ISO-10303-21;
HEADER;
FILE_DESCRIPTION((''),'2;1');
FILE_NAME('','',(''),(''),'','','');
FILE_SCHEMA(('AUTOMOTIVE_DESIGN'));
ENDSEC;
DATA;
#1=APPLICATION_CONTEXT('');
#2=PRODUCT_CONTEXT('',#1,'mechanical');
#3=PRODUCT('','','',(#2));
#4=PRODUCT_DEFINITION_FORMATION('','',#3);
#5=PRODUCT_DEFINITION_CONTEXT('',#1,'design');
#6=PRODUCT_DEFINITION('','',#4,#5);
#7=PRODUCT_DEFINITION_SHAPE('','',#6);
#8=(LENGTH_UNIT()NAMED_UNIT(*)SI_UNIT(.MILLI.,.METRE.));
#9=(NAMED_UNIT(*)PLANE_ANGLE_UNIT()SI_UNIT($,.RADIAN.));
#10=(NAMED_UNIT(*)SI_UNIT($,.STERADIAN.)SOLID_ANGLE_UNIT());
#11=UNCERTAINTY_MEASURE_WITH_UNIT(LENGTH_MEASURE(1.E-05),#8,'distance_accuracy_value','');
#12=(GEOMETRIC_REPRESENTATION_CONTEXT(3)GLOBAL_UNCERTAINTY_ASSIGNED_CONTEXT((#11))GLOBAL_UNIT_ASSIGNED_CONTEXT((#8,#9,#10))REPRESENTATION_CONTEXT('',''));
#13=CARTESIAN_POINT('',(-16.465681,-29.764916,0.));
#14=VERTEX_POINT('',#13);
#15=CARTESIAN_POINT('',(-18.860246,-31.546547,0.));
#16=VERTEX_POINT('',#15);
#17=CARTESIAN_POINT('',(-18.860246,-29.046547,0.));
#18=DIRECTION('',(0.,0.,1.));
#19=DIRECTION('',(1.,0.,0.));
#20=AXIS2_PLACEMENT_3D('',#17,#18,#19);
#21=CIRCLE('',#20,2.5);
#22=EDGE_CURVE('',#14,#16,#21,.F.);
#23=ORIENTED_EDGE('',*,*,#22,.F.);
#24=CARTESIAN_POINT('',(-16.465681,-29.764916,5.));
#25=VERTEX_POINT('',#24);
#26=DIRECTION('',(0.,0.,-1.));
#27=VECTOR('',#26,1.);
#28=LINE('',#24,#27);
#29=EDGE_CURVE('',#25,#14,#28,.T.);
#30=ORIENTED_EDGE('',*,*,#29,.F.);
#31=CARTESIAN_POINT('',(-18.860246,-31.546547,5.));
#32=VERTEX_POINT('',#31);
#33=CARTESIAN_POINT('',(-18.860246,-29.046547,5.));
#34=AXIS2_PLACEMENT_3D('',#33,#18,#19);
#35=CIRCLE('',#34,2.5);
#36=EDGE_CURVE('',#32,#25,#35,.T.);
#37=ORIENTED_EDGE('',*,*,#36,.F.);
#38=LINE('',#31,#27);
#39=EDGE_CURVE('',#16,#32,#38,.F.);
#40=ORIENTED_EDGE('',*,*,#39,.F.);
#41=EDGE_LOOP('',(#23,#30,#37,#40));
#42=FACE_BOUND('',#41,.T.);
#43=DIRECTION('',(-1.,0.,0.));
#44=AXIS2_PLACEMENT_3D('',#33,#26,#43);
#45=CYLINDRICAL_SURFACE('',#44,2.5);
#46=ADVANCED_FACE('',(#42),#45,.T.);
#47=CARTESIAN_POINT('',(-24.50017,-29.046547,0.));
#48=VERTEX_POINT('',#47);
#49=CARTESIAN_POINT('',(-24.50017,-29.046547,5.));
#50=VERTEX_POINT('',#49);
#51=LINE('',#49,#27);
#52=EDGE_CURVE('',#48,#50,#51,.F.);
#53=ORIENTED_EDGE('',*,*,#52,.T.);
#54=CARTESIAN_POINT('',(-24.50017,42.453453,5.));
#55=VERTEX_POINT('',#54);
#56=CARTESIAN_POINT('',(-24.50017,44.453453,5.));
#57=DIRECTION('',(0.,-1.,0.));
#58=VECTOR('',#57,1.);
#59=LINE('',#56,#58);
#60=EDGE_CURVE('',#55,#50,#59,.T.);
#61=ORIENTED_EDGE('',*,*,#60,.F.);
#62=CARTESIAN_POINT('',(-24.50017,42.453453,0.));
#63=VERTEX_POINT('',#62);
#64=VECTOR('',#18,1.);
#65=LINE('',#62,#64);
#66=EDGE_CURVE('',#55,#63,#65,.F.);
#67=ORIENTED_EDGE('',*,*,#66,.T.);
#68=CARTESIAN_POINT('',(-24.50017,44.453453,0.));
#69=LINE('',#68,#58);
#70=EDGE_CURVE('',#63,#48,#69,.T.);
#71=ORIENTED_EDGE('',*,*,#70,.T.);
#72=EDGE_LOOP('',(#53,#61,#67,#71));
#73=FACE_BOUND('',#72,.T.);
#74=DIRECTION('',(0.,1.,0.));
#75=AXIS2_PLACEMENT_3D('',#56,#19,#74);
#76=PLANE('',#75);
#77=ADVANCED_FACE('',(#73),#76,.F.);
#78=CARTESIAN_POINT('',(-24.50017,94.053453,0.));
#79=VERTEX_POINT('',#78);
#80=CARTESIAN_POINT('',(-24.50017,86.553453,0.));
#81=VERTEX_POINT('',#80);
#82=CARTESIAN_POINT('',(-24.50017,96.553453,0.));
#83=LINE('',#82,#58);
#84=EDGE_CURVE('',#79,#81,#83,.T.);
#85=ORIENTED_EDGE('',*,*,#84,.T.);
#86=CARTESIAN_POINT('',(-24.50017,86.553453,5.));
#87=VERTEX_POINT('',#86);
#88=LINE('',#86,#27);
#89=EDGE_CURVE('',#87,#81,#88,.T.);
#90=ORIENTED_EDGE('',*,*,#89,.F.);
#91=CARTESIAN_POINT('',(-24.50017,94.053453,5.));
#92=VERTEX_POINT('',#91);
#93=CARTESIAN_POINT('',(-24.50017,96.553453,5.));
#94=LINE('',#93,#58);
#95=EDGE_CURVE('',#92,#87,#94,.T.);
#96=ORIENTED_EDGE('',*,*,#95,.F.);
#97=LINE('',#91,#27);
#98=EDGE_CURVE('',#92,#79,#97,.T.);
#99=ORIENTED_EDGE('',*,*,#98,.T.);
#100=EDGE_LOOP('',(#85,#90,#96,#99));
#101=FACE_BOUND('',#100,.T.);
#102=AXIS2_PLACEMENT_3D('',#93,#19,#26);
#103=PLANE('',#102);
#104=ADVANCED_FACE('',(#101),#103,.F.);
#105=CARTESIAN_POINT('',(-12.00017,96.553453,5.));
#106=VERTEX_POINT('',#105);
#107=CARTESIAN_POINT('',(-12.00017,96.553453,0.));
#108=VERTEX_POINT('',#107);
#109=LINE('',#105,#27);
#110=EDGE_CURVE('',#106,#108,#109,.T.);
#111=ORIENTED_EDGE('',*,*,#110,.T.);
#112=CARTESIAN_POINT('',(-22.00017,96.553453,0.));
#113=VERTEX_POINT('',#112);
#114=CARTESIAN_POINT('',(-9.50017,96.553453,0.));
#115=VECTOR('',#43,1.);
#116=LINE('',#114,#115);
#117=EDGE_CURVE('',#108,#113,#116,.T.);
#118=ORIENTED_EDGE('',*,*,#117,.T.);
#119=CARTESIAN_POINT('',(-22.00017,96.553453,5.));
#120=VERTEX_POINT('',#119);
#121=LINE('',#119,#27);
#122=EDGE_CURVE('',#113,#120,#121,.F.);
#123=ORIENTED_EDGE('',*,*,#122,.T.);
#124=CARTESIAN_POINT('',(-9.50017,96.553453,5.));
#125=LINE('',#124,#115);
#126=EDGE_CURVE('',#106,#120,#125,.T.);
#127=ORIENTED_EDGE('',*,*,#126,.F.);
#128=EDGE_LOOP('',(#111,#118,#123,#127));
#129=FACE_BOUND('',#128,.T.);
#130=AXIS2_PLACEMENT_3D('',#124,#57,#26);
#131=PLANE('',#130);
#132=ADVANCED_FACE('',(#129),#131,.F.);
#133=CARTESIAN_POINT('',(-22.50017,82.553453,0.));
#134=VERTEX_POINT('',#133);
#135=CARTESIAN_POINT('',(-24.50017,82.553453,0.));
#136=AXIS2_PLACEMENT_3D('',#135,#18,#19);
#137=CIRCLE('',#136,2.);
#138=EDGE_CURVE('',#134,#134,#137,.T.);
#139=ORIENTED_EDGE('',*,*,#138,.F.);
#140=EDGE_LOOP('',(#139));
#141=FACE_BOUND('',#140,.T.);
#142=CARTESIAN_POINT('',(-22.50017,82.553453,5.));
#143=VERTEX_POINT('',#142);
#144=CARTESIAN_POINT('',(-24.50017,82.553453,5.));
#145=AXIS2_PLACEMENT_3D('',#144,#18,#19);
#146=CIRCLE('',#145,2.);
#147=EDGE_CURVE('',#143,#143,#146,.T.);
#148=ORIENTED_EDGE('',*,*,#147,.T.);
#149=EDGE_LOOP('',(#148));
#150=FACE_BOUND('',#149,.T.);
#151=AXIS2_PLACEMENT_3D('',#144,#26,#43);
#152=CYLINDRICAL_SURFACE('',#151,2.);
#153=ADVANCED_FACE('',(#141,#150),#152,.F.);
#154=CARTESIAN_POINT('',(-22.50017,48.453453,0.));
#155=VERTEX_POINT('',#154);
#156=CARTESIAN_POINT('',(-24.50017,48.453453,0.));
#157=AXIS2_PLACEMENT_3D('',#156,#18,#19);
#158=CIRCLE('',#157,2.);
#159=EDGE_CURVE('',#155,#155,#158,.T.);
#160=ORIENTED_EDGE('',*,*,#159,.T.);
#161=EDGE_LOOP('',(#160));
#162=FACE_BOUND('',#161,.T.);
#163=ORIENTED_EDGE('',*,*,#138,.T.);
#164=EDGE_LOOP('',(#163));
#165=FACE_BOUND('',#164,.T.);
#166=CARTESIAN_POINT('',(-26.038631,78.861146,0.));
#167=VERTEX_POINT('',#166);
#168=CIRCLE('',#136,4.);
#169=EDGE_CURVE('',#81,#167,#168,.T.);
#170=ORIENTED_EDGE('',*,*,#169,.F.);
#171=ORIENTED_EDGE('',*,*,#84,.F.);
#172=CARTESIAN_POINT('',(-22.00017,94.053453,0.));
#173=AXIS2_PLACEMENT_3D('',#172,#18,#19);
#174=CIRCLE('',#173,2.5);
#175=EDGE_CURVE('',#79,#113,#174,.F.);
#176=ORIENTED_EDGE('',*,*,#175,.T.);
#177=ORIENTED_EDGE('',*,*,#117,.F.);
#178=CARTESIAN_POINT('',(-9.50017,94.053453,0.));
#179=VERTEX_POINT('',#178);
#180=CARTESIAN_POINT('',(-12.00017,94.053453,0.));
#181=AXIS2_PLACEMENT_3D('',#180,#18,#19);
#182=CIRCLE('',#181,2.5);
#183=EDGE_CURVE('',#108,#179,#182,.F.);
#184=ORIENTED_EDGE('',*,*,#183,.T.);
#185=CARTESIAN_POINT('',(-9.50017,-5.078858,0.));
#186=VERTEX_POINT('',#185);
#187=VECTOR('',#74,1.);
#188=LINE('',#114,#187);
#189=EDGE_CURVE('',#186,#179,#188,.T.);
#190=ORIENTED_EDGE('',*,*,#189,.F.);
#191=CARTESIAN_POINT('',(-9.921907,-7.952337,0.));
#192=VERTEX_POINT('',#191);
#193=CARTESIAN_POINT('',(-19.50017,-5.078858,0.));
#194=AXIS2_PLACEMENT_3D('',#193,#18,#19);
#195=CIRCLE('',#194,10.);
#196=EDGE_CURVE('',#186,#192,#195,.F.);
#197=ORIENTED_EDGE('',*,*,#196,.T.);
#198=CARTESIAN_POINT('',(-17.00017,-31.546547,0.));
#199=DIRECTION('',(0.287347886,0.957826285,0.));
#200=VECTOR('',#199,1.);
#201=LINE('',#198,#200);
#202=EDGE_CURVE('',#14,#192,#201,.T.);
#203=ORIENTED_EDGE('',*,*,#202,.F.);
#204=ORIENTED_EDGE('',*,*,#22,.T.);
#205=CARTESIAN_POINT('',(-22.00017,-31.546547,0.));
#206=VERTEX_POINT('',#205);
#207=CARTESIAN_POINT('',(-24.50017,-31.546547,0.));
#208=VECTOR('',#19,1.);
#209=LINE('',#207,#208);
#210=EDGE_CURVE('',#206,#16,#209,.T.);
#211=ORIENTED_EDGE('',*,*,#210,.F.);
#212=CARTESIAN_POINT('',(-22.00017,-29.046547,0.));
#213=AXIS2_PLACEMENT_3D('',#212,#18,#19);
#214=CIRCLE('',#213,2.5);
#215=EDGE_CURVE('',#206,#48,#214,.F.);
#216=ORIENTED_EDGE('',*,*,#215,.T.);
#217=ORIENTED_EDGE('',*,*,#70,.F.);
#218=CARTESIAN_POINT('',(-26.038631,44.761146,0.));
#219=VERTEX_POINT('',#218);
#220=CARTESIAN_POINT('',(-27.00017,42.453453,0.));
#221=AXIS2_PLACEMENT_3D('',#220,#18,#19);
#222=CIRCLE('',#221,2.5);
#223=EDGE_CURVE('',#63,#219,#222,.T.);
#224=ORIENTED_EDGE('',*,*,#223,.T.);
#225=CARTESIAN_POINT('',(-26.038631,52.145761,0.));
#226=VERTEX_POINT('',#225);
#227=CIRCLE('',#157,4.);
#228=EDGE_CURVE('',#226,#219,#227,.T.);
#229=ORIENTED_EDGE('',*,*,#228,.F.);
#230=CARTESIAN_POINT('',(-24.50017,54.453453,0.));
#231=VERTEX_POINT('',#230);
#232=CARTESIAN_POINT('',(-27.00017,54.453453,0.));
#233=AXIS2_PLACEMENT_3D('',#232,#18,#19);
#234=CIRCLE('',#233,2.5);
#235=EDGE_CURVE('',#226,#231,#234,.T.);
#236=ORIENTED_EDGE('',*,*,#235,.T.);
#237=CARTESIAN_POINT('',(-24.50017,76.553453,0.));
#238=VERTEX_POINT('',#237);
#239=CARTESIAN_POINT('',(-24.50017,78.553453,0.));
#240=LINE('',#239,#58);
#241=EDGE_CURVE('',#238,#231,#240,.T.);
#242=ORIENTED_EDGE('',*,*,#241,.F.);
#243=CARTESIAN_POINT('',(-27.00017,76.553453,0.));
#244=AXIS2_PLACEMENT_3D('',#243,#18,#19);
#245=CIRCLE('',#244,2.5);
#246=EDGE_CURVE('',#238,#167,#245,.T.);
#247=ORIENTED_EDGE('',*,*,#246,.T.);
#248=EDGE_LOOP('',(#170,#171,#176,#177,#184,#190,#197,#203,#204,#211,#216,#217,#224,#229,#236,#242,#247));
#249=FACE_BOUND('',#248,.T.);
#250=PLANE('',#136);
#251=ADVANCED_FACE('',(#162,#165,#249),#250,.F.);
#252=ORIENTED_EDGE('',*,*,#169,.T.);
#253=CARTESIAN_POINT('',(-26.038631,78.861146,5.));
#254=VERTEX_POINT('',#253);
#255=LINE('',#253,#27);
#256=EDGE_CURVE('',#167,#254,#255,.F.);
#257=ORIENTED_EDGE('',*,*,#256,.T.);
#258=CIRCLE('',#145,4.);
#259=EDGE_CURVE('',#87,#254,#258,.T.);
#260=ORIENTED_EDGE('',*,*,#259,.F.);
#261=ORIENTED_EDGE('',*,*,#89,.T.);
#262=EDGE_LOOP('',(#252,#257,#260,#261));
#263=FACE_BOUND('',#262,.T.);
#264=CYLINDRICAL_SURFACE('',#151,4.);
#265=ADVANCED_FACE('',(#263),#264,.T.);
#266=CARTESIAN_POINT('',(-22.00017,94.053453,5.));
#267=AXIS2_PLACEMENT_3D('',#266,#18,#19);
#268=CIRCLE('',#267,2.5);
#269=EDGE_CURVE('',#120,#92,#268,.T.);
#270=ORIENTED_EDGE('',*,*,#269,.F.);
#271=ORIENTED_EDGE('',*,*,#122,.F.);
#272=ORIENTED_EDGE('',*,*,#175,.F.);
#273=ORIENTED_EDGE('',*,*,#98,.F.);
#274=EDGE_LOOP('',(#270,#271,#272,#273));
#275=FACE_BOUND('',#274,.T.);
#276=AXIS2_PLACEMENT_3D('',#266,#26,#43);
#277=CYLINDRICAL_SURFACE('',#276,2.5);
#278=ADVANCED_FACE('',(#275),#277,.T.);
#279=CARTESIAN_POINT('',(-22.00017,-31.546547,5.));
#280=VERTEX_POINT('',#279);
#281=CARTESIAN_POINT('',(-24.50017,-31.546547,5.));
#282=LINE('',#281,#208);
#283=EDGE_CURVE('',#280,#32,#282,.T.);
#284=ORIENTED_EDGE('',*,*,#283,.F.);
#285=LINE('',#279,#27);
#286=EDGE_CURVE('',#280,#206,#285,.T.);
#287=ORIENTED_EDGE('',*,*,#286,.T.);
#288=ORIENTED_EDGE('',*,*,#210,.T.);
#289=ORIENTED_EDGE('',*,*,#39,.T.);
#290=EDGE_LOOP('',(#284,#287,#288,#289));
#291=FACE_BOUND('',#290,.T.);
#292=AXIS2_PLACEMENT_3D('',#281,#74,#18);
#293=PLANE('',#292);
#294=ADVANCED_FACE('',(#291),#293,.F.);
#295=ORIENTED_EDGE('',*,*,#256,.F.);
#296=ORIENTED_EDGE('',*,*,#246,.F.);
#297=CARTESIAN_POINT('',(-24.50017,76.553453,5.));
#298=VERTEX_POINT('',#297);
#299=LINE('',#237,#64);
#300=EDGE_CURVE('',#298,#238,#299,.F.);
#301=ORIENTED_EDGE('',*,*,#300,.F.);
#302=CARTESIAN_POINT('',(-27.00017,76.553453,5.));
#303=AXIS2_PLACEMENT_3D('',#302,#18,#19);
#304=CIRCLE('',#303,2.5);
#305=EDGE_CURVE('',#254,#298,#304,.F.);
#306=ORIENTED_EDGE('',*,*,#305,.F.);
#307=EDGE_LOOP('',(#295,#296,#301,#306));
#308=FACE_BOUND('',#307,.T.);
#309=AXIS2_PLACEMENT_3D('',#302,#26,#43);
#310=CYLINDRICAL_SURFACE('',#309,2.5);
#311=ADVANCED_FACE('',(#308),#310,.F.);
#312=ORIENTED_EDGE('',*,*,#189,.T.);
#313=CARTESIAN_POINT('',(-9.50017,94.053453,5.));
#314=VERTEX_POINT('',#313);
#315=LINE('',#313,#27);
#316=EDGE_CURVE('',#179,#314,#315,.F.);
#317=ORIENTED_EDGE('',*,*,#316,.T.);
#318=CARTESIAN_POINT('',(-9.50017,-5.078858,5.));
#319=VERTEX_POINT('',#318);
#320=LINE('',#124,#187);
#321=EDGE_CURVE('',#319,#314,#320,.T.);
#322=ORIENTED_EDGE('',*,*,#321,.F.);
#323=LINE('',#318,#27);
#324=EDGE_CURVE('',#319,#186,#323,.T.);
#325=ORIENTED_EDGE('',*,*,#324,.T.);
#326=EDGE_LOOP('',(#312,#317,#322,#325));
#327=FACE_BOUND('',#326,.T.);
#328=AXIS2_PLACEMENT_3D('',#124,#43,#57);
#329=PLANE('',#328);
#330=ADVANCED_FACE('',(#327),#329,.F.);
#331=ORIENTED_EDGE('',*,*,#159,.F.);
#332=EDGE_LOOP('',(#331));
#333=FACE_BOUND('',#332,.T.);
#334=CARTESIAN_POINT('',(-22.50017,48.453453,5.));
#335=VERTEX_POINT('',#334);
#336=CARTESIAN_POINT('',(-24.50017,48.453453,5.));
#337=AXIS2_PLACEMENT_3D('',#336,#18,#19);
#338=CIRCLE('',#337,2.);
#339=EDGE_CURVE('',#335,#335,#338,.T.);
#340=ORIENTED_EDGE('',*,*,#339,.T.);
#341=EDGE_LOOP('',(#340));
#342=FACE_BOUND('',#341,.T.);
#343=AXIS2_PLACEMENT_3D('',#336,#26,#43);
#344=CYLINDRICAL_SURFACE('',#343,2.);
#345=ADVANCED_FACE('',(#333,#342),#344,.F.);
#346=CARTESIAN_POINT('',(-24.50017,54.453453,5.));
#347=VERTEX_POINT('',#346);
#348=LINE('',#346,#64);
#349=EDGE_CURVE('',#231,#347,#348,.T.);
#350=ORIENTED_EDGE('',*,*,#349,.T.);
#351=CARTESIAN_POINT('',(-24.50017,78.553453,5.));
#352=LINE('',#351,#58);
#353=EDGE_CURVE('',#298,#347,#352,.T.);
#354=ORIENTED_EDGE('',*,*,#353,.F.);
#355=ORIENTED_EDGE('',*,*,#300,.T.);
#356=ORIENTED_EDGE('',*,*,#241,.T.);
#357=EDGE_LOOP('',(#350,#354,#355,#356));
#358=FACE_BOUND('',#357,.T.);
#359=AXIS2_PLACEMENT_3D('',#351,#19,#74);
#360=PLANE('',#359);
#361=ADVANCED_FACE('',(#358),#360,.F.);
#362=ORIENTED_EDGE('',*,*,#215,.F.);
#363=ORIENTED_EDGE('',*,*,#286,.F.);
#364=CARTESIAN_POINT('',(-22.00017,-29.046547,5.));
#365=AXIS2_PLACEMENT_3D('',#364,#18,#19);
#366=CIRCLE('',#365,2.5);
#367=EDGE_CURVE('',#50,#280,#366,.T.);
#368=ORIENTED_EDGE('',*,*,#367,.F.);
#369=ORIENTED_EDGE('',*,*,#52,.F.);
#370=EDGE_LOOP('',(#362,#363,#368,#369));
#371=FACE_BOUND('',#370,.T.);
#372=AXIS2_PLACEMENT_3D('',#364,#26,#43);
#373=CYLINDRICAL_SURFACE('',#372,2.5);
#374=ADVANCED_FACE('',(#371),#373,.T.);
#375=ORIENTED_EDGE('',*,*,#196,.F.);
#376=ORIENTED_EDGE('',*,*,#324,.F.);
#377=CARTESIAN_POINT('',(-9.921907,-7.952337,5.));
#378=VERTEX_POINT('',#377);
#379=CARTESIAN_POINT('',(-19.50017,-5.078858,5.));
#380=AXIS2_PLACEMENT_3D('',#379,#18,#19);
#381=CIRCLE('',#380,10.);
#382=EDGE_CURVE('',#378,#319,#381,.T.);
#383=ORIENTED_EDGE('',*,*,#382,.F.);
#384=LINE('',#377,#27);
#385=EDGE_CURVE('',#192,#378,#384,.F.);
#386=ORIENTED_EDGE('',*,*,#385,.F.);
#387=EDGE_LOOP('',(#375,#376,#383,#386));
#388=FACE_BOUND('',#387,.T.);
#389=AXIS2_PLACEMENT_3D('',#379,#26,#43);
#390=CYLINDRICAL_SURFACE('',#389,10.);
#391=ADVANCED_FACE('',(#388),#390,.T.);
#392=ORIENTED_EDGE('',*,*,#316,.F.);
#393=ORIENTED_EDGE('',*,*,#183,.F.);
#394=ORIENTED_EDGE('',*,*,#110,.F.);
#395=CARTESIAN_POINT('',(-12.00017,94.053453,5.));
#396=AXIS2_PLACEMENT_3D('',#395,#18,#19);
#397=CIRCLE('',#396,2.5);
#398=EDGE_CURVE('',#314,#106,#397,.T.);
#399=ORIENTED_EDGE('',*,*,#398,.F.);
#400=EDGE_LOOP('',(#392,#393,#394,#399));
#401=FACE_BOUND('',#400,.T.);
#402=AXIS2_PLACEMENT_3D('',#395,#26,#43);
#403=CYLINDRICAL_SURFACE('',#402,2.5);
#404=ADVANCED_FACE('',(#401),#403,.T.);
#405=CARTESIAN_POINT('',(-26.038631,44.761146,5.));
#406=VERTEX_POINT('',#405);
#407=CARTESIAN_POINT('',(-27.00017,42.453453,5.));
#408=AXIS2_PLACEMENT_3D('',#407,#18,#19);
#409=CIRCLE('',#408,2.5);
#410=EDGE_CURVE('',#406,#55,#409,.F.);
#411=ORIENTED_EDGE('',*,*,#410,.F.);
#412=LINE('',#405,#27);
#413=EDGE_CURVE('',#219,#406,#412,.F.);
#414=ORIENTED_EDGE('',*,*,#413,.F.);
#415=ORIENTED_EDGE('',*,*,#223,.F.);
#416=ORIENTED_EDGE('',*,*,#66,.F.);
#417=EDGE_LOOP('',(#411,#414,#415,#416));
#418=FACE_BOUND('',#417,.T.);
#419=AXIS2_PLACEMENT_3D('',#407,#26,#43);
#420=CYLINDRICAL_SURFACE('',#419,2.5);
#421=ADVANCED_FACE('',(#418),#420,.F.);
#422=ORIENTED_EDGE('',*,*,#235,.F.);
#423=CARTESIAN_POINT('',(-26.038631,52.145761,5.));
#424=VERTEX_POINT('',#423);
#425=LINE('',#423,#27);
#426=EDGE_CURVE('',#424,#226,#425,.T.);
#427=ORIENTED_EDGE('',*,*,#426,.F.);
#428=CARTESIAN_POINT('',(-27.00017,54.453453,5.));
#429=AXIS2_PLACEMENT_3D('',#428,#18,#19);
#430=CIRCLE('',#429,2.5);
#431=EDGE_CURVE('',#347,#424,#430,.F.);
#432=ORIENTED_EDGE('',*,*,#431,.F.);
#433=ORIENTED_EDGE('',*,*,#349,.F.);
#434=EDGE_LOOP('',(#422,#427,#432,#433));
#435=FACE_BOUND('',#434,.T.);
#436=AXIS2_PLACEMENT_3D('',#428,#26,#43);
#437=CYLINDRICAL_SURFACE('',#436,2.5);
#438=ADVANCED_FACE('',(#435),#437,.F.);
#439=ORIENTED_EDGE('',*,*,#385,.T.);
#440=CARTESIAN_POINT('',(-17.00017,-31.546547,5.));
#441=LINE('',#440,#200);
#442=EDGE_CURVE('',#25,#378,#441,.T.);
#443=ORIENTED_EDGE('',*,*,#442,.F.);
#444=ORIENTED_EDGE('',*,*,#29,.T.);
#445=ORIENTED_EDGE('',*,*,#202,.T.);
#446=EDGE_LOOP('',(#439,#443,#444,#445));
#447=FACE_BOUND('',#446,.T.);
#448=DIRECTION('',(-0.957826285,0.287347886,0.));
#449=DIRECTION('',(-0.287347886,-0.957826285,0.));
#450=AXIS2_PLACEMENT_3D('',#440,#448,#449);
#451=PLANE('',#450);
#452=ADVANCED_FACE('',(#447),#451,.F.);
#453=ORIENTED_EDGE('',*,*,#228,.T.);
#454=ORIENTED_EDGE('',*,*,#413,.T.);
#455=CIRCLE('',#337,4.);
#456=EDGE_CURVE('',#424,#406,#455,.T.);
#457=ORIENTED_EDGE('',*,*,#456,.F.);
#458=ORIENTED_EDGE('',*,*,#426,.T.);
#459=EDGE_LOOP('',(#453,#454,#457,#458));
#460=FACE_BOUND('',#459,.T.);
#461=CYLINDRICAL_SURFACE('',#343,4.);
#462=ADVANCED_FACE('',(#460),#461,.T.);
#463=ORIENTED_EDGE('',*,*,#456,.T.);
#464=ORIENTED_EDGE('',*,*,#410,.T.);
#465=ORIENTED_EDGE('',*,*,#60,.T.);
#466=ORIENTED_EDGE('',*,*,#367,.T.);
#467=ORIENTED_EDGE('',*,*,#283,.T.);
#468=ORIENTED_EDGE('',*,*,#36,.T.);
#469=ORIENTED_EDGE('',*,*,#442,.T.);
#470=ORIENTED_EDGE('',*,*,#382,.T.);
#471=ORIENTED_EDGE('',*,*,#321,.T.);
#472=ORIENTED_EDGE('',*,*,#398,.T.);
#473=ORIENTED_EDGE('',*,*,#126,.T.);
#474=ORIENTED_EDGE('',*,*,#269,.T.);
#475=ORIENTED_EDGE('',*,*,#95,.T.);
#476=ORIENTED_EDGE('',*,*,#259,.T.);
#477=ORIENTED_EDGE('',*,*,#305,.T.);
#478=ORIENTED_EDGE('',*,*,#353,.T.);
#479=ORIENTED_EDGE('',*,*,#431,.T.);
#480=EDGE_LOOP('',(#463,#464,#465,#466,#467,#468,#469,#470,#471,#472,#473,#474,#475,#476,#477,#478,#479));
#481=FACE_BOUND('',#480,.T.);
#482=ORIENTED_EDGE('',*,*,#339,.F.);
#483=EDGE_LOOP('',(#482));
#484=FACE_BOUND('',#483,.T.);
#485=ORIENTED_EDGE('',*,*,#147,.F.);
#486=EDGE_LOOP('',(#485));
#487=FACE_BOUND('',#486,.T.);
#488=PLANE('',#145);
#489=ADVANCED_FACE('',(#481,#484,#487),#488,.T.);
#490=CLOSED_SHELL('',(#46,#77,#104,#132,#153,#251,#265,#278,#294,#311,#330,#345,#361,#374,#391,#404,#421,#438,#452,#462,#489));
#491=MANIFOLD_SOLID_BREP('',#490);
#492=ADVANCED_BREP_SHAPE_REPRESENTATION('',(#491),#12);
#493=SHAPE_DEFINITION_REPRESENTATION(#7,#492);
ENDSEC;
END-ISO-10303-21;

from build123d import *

# Parameters (mm, degrees)
SKETCH_1_R      = 2
EXTRUDE_1_DEPTH = 5
FILLET_1_R      = 2.5
FILLET_2_R      = 2.5
FILLET_3_R      = 10


with BuildPart() as part:
    # 草圖1 → 填料-伸長1 (new body)
    with BuildSketch(Plane.XY):
        with BuildLine():
            Line((-17.000169764, -31.546546547), (-9.500169764, -6.546546547))
            Line((-9.500169764, -6.546546547), (-9.500169764, 96.553453453))
            Line((-9.500169764, 96.553453453), (-24.500169764, 96.553453453))
            Line((-24.500169764, 96.553453453), (-24.500169764, 86.553453453))
            ThreePointArc((-24.500169764, 86.553453453), (-28.500169764, 82.553453453), (-24.500169764, 78.553453453))
            Line((-24.500169764, 78.553453453), (-24.500169764, 52.453453453))
            ThreePointArc((-24.500169764, 52.453453453), (-28.500169764, 48.453453453), (-24.500169764, 44.453453453))
            Line((-24.500169764, 44.453453453), (-24.500169764, -31.546546547))
            Line((-24.500169764, -31.546546547), (-17.000169764, -31.546546547))
        make_face()
        with Locations((-24.500169764, 82.553453453)):
            Circle(SKETCH_1_R, mode=Mode.SUBTRACT)
        with Locations((-24.500169764, 48.453453453)):
            Circle(SKETCH_1_R, mode=Mode.SUBTRACT)
    extrude(amount=EXTRUDE_1_DEPTH)

    # 圓角1
    fillet_1_edges = [part.edges().sort_by_distance(p)[0] for p in [
        (-24.500169764, 96.553453453, 2.5),
        (-9.500169764, 96.553453453, 2.5),
        (-17.000169764, -31.546546547, 2.5),
        (-24.500169764, -31.546546547, 2.5),
    ]]
    fillet(fillet_1_edges, radius=FILLET_1_R)

    # 圓角2
    fillet_2_edges = [part.edges().sort_by_distance(p)[0] for p in [
        (-24.500169764, 44.453453453, 2.5),
        (-24.500169764, 52.453453453, 2.5),
        (-24.500169764, 78.553453453, 2.5),
    ]]
    fillet(fillet_2_edges, radius=FILLET_2_R)

    # 圓角3
    fillet_3_edges = [part.edges().sort_by_distance(p)[0] for p in [
        (-9.500169764, -6.546546547, 2.5),
    ]]
    fillet(fillet_3_edges, radius=FILLET_3_R)


solid = part.part
